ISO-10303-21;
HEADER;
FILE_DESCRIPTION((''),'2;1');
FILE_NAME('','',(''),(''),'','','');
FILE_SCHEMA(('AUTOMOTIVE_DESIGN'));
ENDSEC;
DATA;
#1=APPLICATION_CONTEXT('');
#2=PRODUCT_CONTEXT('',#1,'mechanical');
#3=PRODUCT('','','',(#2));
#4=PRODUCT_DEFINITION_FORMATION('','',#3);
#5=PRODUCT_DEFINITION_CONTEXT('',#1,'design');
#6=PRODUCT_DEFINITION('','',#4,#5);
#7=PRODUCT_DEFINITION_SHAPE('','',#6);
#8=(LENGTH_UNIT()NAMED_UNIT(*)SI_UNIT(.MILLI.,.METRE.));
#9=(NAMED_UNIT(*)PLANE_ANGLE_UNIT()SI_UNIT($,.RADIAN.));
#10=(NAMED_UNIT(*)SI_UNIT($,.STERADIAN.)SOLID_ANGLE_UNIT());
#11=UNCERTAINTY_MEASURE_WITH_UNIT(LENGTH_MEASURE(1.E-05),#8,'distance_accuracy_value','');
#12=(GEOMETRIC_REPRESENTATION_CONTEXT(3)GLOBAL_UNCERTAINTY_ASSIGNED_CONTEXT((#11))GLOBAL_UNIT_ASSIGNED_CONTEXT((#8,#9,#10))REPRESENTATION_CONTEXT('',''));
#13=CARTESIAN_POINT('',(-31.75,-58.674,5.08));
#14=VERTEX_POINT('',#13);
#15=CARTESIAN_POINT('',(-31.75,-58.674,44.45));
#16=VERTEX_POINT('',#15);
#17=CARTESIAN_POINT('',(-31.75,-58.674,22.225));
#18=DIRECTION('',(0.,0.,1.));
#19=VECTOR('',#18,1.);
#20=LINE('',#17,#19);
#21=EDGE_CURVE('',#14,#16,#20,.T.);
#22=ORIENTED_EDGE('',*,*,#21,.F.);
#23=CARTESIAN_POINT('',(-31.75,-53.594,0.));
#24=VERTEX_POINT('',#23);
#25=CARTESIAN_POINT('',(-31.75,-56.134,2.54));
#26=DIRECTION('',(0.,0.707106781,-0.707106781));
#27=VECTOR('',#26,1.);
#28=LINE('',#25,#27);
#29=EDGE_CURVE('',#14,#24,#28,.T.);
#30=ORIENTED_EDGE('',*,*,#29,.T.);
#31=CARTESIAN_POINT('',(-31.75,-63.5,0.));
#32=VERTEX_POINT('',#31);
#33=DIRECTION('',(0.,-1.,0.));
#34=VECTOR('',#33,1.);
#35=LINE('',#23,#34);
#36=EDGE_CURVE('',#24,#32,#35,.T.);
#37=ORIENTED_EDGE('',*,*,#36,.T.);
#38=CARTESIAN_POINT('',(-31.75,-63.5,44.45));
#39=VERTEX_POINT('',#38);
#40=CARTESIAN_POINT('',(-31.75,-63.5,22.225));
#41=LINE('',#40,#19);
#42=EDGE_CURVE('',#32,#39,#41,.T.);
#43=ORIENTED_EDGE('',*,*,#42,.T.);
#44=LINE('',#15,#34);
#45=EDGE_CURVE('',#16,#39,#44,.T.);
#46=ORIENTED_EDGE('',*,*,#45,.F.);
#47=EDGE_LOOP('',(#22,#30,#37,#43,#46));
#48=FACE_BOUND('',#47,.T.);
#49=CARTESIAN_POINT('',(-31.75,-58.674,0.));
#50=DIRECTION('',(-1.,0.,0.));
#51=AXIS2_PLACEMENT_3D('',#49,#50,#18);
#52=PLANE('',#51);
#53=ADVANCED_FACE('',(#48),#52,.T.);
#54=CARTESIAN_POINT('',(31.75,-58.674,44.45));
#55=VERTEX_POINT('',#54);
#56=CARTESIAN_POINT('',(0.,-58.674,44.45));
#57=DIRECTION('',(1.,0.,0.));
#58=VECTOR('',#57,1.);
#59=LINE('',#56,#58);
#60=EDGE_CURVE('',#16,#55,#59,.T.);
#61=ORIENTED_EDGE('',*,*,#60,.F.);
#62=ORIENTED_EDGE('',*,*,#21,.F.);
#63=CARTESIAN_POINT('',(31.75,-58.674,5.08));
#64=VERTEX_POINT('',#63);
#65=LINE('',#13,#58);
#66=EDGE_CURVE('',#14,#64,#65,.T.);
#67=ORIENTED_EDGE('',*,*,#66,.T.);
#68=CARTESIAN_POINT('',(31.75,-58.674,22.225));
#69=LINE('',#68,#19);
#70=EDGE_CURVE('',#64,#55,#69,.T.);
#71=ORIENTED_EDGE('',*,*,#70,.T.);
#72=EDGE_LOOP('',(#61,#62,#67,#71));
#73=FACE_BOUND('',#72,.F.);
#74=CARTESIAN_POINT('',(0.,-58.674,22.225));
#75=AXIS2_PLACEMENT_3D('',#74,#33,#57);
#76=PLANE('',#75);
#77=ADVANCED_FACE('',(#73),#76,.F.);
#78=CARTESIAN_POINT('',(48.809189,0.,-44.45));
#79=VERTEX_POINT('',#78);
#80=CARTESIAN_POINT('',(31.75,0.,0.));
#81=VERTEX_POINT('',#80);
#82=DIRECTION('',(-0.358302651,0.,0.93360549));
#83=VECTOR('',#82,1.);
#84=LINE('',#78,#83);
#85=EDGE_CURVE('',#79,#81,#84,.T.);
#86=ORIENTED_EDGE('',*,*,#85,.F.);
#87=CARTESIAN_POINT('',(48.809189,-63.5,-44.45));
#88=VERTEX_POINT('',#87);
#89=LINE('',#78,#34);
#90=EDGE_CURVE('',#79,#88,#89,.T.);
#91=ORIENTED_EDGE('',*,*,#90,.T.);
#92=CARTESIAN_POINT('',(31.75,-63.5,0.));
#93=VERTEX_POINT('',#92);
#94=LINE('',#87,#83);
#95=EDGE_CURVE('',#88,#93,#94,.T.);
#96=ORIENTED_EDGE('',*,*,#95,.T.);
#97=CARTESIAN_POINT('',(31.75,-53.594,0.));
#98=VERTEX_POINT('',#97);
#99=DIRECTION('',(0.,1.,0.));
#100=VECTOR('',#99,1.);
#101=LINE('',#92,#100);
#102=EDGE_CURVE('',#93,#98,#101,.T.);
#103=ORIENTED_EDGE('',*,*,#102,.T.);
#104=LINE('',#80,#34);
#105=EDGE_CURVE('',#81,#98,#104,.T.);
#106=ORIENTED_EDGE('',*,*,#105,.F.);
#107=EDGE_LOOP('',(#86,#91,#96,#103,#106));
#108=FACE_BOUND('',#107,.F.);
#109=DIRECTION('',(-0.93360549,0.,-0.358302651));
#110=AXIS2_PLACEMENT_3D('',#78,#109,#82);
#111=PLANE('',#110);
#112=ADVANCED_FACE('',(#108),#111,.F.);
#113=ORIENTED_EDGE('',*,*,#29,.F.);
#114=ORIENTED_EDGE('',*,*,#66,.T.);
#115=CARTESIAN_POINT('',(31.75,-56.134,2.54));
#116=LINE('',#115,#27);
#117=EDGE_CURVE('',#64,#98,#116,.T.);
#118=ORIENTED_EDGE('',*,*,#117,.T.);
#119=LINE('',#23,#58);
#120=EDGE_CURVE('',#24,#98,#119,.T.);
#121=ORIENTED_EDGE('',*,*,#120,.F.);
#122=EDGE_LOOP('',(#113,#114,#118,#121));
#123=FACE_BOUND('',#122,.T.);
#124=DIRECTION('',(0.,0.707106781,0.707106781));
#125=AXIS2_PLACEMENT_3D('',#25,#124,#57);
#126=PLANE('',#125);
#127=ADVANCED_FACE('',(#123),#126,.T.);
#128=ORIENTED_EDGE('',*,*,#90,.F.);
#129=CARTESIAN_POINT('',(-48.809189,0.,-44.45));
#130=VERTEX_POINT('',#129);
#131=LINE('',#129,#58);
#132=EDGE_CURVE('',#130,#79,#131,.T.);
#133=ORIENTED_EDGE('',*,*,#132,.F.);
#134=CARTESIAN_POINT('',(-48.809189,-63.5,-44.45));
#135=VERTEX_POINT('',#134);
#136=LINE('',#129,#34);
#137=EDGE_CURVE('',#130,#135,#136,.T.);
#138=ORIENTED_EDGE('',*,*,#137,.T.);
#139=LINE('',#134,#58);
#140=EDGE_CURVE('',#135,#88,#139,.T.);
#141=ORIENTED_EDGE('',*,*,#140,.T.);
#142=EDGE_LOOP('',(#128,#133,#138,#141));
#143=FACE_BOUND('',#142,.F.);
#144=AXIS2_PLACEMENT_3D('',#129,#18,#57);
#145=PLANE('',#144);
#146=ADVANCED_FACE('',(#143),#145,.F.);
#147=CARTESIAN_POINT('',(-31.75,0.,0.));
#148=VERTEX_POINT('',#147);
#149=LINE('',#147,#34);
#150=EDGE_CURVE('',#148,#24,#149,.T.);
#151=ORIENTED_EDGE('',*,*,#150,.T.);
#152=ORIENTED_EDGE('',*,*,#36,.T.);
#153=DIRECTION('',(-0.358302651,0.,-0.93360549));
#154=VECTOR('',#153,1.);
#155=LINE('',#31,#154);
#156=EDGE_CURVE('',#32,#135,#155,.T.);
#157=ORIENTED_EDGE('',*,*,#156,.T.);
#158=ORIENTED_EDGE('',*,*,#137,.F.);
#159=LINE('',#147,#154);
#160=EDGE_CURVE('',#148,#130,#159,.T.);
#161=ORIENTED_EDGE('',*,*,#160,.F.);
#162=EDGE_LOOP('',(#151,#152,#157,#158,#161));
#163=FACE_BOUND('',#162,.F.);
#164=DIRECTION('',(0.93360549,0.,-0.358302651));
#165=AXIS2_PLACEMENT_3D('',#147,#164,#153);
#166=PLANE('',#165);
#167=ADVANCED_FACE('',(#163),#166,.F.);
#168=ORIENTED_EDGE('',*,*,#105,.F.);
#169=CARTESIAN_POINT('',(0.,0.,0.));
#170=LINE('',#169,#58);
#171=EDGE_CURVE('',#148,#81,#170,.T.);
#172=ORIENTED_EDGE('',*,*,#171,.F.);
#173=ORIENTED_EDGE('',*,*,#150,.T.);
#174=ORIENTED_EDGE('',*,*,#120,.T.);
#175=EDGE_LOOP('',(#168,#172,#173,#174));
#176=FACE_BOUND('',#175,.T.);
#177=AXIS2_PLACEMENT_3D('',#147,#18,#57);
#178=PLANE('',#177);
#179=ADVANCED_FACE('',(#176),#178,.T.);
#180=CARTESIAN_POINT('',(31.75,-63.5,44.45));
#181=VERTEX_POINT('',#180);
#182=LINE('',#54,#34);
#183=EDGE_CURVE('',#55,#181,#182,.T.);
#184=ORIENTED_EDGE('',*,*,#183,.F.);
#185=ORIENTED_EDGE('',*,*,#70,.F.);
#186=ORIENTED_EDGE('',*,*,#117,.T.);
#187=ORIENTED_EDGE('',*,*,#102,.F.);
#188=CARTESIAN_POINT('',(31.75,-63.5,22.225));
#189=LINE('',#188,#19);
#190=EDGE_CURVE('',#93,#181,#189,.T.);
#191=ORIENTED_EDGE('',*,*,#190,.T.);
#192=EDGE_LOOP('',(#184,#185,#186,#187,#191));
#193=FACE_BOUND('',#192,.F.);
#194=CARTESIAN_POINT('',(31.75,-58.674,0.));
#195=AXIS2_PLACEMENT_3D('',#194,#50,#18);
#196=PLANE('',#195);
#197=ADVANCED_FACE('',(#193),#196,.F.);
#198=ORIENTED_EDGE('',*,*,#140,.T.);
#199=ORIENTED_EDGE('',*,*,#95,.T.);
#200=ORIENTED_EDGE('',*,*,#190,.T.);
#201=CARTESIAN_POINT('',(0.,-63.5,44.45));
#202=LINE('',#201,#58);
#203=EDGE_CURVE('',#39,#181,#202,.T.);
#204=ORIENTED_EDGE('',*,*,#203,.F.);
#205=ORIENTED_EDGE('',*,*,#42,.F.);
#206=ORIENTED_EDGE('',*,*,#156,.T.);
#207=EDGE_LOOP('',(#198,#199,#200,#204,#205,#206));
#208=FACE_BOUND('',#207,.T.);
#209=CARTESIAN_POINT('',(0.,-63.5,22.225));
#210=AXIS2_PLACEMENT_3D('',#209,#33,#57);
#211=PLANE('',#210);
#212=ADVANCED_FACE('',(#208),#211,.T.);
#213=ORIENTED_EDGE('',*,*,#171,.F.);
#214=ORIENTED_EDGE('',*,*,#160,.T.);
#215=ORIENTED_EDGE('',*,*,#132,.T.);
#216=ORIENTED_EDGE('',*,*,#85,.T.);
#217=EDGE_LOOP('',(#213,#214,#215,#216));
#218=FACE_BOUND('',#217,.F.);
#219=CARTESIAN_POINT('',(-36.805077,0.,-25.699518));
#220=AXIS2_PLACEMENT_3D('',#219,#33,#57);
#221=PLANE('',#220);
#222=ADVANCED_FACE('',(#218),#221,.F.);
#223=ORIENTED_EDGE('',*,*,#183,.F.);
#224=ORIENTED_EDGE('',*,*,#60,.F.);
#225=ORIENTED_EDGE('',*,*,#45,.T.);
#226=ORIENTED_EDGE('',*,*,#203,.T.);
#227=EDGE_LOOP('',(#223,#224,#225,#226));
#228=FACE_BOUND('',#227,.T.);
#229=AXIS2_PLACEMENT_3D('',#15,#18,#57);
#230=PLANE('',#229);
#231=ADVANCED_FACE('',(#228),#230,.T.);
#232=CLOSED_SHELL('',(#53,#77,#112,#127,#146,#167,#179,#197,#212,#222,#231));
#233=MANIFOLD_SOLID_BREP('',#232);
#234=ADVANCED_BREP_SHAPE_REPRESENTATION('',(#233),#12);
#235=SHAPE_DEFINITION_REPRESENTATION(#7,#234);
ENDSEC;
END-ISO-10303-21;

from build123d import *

# Parameters (mm, degrees)
F0_W     = 63.5
F0_H     = 44.45
F1_DEPTH = 63.5
F2_START = 58.674
F2_DEPTH = 4.826
F3_SIZE  = 5.08


with BuildPart() as f1:
    # F0 (on Front) → F1 (new body)
    with BuildSketch(Plane.XZ):
        Polygon((-48.8091893494, -44.45), (-31.75, -44.45), (-31.75, 0), align=None)
        with Locations((0, -22.225)):
            Rectangle(F0_W, F0_H)
        Polygon((31.75, 0), (31.75, -44.45), (48.8091893494, -44.45), align=None)
    extrude(amount=F1_DEPTH)

    # F0 (on Front) → F2 (join)
    with BuildSketch(Plane.XZ.offset(F2_START)):
        with Locations((0, 22.225)):
            Rectangle(F0_W, F0_H)
    extrude(amount=F2_DEPTH)

    # F3
    f3_edges = [f1.edges().sort_by_distance(p)[0] for p in [
        (0, -58.674, 0),
    ]]
    chamfer(f3_edges, length=F3_SIZE)


solid = f1.part
